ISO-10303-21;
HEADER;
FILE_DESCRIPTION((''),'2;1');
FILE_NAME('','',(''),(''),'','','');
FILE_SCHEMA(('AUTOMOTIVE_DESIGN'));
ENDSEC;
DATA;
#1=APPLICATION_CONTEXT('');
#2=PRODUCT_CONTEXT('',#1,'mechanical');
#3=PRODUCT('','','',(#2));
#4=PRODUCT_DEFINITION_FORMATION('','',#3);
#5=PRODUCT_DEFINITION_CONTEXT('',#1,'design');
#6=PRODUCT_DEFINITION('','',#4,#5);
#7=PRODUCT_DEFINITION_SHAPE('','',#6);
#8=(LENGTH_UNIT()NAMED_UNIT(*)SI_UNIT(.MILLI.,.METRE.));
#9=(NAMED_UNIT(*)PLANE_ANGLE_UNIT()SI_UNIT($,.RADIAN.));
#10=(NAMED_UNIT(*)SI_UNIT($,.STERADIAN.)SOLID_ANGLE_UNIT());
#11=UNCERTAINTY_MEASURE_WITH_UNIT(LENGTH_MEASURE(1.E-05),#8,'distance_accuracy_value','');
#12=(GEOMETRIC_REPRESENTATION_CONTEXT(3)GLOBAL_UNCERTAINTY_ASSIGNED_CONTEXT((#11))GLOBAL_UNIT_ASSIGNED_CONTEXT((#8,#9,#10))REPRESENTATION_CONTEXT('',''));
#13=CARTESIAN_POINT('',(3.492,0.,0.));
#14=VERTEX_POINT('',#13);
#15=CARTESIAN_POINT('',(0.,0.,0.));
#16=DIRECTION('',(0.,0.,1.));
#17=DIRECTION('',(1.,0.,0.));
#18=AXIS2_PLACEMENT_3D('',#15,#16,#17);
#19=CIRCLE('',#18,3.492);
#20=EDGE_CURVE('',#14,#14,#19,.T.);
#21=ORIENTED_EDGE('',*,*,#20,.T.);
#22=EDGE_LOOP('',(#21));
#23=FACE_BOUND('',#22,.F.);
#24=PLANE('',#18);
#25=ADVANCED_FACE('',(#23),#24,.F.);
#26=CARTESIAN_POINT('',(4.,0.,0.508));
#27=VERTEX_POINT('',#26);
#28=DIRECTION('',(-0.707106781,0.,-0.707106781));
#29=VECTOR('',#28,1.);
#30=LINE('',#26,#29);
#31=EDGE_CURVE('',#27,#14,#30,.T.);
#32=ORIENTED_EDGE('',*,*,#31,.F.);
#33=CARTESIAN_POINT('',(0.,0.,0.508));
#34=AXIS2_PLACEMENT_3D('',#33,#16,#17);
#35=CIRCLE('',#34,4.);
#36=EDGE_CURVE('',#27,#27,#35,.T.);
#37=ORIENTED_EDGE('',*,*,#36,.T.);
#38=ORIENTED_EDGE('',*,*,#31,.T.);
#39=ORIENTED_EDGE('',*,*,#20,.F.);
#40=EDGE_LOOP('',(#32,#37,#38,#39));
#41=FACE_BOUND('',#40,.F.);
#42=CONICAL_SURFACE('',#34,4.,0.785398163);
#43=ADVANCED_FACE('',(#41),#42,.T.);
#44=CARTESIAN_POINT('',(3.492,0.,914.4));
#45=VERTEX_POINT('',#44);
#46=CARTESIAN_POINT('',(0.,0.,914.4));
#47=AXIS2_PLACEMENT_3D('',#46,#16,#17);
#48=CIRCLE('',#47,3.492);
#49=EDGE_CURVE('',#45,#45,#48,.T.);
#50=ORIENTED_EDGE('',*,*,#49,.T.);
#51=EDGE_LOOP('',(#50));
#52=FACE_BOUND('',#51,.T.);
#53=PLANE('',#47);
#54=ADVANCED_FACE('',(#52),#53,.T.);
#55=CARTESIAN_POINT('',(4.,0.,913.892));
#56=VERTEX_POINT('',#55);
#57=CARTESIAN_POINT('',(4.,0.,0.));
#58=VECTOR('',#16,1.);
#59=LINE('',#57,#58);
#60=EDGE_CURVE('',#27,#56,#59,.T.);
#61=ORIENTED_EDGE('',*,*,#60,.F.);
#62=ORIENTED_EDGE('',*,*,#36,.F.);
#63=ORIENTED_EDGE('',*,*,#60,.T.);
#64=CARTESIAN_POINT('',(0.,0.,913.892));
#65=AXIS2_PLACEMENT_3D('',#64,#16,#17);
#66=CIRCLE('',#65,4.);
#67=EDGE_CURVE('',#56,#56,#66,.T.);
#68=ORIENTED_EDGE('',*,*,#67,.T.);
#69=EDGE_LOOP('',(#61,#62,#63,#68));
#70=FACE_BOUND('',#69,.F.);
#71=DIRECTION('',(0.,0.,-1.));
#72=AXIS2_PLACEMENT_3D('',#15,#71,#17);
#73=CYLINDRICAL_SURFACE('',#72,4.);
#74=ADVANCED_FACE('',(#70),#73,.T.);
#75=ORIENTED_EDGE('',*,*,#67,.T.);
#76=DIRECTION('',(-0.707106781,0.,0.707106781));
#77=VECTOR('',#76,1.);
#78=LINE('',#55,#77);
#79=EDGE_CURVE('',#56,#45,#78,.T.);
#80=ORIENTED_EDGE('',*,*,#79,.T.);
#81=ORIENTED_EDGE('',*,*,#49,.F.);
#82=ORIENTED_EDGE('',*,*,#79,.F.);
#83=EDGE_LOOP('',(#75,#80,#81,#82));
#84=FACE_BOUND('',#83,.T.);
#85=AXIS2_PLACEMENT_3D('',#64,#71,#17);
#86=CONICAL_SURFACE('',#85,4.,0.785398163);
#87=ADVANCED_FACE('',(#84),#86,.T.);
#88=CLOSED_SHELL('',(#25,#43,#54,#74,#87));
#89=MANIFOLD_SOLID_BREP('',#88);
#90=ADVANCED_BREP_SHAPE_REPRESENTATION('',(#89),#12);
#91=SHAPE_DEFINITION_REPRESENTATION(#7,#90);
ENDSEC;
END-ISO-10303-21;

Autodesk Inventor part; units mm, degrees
ref_plane "YZ Plane" through (0, 0, 0) normal (1, 0, 0) x (0, 1, 0)
ref_plane "XZ Plane" through (0, 0, 0) normal (0, 1, 0) x (-1, 0, 0)
ref_plane "XY Plane" through (0, 0, 0) normal (0, 0, 1) x (1, 0, 0)
sketch "Sketch1" plane through (0, 0, 0) normal (0, 0, 1) x (1, 0, 0)
  circle A0 centre (0, 0) radius 4
  dimension "d0" = 8
extrude "Extrusion1" add sketch "Sketch1" along normal blind 914.4
chamfer "Chamfer1" distance 0.508 angle 45 2 edges at (-4, 0, 0) (-4, 0, 914.4)
properties part number "Linear Rod" material "Stainless Steel"
